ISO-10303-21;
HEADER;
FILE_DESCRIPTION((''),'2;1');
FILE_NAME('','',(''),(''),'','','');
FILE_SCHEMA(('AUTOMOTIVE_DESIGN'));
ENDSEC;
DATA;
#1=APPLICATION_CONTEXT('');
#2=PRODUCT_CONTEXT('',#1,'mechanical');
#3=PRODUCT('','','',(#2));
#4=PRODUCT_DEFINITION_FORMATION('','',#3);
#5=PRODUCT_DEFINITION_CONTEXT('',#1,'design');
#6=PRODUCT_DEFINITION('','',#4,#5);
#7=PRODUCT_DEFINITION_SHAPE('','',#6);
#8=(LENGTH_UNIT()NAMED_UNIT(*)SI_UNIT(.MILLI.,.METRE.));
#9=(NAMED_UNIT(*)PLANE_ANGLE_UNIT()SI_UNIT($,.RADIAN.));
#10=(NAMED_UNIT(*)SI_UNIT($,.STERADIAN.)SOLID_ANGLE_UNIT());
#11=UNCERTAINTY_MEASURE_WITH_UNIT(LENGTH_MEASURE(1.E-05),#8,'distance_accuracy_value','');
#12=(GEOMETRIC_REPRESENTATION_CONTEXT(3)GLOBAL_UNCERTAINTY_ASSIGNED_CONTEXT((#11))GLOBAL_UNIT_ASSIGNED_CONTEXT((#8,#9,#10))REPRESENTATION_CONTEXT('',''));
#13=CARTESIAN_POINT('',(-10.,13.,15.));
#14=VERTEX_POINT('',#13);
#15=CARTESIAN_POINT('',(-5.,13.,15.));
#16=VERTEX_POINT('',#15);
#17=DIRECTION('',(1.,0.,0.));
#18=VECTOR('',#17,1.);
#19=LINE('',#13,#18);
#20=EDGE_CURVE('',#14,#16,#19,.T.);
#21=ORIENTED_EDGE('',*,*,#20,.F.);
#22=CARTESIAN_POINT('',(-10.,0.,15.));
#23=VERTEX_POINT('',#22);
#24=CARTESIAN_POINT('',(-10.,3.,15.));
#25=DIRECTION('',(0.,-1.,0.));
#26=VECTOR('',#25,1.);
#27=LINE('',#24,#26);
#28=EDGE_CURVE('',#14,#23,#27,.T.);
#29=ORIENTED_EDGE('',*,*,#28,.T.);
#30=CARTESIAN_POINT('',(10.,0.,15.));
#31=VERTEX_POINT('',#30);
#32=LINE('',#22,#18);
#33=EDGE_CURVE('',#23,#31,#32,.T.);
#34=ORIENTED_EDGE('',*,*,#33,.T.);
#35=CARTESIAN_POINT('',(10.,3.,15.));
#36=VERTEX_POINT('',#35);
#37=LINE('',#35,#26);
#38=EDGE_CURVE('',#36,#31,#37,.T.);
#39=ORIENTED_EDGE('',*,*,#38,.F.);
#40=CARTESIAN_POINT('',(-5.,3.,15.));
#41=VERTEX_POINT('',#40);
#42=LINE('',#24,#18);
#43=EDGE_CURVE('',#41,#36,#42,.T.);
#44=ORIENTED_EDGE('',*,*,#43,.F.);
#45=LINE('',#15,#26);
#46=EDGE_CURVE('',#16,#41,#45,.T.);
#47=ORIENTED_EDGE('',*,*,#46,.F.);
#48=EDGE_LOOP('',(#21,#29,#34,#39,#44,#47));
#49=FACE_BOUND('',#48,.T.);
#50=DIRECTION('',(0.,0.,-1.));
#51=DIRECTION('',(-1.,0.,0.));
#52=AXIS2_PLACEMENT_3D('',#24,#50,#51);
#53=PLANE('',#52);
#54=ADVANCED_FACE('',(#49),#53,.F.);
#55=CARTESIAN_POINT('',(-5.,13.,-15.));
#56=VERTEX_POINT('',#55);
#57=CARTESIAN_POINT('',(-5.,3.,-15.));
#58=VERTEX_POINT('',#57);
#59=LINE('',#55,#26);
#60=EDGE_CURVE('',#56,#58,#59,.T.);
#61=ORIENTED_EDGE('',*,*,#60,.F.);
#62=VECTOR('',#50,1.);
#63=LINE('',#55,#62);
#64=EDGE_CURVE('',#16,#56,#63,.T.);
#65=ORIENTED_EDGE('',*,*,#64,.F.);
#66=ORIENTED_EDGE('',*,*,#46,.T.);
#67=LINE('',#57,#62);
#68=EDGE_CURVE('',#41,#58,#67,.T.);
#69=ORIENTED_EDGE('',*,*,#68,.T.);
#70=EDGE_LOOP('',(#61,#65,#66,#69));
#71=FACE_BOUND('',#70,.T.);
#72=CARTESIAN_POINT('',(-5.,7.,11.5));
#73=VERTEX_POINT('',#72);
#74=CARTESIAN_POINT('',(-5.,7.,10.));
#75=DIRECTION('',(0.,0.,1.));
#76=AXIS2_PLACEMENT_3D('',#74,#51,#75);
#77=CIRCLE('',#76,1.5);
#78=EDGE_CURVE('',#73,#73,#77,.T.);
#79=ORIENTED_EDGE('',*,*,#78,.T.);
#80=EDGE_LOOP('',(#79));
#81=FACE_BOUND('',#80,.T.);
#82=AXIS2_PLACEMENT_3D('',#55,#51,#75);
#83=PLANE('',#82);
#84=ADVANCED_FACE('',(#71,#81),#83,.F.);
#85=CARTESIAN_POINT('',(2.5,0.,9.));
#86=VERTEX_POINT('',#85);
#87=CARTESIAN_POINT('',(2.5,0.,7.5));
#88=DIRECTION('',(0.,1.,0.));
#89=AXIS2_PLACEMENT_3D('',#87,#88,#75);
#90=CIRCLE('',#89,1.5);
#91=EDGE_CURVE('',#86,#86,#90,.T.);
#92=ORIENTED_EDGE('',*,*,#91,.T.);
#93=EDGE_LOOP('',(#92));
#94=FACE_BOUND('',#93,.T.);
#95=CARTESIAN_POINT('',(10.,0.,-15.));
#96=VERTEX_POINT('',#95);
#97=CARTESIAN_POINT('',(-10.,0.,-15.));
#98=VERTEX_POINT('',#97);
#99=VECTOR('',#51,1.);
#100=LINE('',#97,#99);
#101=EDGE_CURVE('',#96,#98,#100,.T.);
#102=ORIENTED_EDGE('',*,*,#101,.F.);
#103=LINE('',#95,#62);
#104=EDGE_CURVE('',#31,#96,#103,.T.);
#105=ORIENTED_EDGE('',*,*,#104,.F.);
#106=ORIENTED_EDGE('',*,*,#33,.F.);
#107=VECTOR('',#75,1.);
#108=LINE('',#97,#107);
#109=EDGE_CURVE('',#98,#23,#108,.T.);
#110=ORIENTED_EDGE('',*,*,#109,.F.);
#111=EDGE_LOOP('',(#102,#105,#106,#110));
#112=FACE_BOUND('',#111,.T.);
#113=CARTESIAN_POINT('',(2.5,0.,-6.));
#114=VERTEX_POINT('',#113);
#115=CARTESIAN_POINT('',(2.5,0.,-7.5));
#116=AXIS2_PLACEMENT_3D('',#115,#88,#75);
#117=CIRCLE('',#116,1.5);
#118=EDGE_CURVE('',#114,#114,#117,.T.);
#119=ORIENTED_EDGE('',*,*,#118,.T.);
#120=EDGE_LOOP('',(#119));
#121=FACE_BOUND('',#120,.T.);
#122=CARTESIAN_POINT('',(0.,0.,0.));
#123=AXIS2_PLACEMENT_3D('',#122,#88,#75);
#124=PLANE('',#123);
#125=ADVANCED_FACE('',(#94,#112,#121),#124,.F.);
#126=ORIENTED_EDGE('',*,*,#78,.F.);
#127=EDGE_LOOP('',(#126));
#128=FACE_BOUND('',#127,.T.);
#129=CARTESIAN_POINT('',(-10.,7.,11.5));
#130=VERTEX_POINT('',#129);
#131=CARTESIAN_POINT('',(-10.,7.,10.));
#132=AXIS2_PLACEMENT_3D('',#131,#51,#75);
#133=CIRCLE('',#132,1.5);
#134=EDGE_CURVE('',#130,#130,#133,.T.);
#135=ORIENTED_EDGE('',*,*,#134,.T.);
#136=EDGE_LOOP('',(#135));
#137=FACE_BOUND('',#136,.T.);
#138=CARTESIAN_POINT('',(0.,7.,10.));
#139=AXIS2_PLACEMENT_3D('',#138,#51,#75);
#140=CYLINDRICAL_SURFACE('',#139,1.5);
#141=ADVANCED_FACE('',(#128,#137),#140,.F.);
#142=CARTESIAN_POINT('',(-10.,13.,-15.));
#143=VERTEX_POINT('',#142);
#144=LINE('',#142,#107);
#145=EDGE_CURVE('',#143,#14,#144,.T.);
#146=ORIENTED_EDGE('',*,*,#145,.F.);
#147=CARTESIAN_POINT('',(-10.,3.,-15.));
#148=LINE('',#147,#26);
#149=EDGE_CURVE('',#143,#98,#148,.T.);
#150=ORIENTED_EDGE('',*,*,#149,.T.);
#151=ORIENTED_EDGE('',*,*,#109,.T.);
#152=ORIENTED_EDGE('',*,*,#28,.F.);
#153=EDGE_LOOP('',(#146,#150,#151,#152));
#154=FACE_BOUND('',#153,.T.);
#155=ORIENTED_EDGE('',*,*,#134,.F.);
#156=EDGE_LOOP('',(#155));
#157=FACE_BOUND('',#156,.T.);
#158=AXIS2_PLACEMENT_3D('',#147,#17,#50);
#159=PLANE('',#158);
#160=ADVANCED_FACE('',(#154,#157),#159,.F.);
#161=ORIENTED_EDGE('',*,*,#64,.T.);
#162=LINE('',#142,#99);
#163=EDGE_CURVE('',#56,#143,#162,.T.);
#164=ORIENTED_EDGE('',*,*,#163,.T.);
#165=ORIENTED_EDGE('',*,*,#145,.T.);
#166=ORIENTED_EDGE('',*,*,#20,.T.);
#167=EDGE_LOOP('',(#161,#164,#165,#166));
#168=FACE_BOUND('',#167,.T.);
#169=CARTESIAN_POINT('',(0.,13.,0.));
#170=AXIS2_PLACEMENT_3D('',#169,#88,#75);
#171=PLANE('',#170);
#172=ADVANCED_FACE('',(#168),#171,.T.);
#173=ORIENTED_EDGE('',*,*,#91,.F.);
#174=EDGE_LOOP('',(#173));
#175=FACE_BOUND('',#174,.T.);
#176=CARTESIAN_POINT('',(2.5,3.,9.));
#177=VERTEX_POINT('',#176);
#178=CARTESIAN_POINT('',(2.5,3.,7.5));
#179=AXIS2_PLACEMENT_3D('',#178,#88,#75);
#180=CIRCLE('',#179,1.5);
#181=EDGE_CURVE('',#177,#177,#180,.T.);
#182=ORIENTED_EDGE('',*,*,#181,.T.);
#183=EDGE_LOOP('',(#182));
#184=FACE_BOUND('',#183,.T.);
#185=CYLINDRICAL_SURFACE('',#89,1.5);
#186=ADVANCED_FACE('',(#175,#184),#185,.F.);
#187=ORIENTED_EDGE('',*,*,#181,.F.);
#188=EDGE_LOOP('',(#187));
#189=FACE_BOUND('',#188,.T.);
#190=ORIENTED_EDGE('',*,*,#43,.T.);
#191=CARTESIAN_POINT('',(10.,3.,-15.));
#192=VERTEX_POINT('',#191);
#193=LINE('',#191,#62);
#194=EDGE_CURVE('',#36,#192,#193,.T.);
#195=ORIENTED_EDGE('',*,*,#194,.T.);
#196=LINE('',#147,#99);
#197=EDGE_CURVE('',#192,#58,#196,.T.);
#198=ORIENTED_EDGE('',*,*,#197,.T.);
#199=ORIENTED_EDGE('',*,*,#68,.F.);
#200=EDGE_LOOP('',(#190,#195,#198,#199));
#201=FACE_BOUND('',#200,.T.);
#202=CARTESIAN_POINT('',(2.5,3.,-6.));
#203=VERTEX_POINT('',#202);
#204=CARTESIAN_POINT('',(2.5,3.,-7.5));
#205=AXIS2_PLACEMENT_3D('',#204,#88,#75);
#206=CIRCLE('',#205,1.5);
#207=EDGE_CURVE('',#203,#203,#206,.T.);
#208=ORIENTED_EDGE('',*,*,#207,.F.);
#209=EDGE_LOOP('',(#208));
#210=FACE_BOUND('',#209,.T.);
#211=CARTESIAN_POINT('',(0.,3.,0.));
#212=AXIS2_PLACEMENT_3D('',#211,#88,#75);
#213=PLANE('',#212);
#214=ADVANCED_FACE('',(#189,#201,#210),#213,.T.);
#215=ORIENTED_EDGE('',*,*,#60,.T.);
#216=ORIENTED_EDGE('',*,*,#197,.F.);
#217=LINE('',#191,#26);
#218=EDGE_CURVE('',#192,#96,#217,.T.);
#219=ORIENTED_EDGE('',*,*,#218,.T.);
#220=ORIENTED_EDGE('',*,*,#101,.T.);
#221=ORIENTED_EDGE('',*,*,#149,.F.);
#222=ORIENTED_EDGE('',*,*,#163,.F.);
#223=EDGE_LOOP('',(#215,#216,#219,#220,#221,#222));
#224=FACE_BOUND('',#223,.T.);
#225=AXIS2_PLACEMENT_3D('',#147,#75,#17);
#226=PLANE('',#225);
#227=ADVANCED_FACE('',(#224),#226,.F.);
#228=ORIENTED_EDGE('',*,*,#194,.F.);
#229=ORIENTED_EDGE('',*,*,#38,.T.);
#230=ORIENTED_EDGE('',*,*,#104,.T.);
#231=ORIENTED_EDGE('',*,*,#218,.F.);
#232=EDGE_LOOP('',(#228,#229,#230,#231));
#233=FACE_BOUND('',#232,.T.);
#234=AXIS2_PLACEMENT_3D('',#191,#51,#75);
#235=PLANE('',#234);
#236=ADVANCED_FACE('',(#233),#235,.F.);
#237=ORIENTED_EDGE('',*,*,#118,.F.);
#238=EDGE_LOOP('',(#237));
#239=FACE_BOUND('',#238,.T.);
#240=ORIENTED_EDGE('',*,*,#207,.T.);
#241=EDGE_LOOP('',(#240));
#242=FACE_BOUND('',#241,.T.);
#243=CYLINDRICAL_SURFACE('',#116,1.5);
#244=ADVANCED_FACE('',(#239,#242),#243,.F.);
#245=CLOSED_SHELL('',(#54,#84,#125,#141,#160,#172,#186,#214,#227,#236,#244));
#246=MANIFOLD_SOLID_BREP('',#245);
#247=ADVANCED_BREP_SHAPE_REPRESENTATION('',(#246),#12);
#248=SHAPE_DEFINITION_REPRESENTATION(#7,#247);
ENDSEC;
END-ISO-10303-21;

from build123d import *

# Parameters (mm, degrees)
SKETCH1_W           = 20
SKETCH1_H           = 30
BOSS_EXTRUDE1_DEPTH = 3
SKETCH2_W           = 5
SKETCH2_H           = 30
BOSS_EXTRUDE2_DEPTH = 10
SKETCH3_R           = 1.5
CUT_EXTRUDE1_DEPTH  = 10
SKETCH4_R           = 1.5
CUT_EXTRUDE2_DEPTH  = 4


with BuildPart() as part:
    # Sketch1 → Boss-Extrude1 (new body)
    with BuildSketch(Plane(origin=(0, 0, 0), x_dir=(1, 0, 0), z_dir=(0, 1, 0))):
        Rectangle(SKETCH1_W, SKETCH1_H)
    extrude(amount=BOSS_EXTRUDE1_DEPTH)

    # Sketch2 → Boss-Extrude2 (add)
    with BuildSketch(Plane(origin=(0, 3, 0), x_dir=(1, 0, 0), z_dir=(0, 1, 0))):
        with Locations((-7.5, 0)):
            Rectangle(SKETCH2_W, SKETCH2_H)
    extrude(amount=BOSS_EXTRUDE2_DEPTH)

    # Sketch3 → Cut-Extrude1 (cut)
    with BuildSketch(Plane.ZY.offset(10)):
        with Locations((10, 7)):
            Circle(SKETCH3_R)
    extrude(amount=-CUT_EXTRUDE1_DEPTH, mode=Mode.SUBTRACT)

    # Sketch4 → Cut-Extrude2 (cut, through all)
    with BuildSketch(Plane(origin=(0, 3, 0), x_dir=(1, 0, 0), z_dir=(0, 1, 0))):
        with Locations((2.5, -7.5)):
            Circle(SKETCH4_R)
        with Locations((2.5, 7.5)):
            Circle(SKETCH4_R)
    extrude(amount=-CUT_EXTRUDE2_DEPTH, mode=Mode.SUBTRACT)


solid = part.part
